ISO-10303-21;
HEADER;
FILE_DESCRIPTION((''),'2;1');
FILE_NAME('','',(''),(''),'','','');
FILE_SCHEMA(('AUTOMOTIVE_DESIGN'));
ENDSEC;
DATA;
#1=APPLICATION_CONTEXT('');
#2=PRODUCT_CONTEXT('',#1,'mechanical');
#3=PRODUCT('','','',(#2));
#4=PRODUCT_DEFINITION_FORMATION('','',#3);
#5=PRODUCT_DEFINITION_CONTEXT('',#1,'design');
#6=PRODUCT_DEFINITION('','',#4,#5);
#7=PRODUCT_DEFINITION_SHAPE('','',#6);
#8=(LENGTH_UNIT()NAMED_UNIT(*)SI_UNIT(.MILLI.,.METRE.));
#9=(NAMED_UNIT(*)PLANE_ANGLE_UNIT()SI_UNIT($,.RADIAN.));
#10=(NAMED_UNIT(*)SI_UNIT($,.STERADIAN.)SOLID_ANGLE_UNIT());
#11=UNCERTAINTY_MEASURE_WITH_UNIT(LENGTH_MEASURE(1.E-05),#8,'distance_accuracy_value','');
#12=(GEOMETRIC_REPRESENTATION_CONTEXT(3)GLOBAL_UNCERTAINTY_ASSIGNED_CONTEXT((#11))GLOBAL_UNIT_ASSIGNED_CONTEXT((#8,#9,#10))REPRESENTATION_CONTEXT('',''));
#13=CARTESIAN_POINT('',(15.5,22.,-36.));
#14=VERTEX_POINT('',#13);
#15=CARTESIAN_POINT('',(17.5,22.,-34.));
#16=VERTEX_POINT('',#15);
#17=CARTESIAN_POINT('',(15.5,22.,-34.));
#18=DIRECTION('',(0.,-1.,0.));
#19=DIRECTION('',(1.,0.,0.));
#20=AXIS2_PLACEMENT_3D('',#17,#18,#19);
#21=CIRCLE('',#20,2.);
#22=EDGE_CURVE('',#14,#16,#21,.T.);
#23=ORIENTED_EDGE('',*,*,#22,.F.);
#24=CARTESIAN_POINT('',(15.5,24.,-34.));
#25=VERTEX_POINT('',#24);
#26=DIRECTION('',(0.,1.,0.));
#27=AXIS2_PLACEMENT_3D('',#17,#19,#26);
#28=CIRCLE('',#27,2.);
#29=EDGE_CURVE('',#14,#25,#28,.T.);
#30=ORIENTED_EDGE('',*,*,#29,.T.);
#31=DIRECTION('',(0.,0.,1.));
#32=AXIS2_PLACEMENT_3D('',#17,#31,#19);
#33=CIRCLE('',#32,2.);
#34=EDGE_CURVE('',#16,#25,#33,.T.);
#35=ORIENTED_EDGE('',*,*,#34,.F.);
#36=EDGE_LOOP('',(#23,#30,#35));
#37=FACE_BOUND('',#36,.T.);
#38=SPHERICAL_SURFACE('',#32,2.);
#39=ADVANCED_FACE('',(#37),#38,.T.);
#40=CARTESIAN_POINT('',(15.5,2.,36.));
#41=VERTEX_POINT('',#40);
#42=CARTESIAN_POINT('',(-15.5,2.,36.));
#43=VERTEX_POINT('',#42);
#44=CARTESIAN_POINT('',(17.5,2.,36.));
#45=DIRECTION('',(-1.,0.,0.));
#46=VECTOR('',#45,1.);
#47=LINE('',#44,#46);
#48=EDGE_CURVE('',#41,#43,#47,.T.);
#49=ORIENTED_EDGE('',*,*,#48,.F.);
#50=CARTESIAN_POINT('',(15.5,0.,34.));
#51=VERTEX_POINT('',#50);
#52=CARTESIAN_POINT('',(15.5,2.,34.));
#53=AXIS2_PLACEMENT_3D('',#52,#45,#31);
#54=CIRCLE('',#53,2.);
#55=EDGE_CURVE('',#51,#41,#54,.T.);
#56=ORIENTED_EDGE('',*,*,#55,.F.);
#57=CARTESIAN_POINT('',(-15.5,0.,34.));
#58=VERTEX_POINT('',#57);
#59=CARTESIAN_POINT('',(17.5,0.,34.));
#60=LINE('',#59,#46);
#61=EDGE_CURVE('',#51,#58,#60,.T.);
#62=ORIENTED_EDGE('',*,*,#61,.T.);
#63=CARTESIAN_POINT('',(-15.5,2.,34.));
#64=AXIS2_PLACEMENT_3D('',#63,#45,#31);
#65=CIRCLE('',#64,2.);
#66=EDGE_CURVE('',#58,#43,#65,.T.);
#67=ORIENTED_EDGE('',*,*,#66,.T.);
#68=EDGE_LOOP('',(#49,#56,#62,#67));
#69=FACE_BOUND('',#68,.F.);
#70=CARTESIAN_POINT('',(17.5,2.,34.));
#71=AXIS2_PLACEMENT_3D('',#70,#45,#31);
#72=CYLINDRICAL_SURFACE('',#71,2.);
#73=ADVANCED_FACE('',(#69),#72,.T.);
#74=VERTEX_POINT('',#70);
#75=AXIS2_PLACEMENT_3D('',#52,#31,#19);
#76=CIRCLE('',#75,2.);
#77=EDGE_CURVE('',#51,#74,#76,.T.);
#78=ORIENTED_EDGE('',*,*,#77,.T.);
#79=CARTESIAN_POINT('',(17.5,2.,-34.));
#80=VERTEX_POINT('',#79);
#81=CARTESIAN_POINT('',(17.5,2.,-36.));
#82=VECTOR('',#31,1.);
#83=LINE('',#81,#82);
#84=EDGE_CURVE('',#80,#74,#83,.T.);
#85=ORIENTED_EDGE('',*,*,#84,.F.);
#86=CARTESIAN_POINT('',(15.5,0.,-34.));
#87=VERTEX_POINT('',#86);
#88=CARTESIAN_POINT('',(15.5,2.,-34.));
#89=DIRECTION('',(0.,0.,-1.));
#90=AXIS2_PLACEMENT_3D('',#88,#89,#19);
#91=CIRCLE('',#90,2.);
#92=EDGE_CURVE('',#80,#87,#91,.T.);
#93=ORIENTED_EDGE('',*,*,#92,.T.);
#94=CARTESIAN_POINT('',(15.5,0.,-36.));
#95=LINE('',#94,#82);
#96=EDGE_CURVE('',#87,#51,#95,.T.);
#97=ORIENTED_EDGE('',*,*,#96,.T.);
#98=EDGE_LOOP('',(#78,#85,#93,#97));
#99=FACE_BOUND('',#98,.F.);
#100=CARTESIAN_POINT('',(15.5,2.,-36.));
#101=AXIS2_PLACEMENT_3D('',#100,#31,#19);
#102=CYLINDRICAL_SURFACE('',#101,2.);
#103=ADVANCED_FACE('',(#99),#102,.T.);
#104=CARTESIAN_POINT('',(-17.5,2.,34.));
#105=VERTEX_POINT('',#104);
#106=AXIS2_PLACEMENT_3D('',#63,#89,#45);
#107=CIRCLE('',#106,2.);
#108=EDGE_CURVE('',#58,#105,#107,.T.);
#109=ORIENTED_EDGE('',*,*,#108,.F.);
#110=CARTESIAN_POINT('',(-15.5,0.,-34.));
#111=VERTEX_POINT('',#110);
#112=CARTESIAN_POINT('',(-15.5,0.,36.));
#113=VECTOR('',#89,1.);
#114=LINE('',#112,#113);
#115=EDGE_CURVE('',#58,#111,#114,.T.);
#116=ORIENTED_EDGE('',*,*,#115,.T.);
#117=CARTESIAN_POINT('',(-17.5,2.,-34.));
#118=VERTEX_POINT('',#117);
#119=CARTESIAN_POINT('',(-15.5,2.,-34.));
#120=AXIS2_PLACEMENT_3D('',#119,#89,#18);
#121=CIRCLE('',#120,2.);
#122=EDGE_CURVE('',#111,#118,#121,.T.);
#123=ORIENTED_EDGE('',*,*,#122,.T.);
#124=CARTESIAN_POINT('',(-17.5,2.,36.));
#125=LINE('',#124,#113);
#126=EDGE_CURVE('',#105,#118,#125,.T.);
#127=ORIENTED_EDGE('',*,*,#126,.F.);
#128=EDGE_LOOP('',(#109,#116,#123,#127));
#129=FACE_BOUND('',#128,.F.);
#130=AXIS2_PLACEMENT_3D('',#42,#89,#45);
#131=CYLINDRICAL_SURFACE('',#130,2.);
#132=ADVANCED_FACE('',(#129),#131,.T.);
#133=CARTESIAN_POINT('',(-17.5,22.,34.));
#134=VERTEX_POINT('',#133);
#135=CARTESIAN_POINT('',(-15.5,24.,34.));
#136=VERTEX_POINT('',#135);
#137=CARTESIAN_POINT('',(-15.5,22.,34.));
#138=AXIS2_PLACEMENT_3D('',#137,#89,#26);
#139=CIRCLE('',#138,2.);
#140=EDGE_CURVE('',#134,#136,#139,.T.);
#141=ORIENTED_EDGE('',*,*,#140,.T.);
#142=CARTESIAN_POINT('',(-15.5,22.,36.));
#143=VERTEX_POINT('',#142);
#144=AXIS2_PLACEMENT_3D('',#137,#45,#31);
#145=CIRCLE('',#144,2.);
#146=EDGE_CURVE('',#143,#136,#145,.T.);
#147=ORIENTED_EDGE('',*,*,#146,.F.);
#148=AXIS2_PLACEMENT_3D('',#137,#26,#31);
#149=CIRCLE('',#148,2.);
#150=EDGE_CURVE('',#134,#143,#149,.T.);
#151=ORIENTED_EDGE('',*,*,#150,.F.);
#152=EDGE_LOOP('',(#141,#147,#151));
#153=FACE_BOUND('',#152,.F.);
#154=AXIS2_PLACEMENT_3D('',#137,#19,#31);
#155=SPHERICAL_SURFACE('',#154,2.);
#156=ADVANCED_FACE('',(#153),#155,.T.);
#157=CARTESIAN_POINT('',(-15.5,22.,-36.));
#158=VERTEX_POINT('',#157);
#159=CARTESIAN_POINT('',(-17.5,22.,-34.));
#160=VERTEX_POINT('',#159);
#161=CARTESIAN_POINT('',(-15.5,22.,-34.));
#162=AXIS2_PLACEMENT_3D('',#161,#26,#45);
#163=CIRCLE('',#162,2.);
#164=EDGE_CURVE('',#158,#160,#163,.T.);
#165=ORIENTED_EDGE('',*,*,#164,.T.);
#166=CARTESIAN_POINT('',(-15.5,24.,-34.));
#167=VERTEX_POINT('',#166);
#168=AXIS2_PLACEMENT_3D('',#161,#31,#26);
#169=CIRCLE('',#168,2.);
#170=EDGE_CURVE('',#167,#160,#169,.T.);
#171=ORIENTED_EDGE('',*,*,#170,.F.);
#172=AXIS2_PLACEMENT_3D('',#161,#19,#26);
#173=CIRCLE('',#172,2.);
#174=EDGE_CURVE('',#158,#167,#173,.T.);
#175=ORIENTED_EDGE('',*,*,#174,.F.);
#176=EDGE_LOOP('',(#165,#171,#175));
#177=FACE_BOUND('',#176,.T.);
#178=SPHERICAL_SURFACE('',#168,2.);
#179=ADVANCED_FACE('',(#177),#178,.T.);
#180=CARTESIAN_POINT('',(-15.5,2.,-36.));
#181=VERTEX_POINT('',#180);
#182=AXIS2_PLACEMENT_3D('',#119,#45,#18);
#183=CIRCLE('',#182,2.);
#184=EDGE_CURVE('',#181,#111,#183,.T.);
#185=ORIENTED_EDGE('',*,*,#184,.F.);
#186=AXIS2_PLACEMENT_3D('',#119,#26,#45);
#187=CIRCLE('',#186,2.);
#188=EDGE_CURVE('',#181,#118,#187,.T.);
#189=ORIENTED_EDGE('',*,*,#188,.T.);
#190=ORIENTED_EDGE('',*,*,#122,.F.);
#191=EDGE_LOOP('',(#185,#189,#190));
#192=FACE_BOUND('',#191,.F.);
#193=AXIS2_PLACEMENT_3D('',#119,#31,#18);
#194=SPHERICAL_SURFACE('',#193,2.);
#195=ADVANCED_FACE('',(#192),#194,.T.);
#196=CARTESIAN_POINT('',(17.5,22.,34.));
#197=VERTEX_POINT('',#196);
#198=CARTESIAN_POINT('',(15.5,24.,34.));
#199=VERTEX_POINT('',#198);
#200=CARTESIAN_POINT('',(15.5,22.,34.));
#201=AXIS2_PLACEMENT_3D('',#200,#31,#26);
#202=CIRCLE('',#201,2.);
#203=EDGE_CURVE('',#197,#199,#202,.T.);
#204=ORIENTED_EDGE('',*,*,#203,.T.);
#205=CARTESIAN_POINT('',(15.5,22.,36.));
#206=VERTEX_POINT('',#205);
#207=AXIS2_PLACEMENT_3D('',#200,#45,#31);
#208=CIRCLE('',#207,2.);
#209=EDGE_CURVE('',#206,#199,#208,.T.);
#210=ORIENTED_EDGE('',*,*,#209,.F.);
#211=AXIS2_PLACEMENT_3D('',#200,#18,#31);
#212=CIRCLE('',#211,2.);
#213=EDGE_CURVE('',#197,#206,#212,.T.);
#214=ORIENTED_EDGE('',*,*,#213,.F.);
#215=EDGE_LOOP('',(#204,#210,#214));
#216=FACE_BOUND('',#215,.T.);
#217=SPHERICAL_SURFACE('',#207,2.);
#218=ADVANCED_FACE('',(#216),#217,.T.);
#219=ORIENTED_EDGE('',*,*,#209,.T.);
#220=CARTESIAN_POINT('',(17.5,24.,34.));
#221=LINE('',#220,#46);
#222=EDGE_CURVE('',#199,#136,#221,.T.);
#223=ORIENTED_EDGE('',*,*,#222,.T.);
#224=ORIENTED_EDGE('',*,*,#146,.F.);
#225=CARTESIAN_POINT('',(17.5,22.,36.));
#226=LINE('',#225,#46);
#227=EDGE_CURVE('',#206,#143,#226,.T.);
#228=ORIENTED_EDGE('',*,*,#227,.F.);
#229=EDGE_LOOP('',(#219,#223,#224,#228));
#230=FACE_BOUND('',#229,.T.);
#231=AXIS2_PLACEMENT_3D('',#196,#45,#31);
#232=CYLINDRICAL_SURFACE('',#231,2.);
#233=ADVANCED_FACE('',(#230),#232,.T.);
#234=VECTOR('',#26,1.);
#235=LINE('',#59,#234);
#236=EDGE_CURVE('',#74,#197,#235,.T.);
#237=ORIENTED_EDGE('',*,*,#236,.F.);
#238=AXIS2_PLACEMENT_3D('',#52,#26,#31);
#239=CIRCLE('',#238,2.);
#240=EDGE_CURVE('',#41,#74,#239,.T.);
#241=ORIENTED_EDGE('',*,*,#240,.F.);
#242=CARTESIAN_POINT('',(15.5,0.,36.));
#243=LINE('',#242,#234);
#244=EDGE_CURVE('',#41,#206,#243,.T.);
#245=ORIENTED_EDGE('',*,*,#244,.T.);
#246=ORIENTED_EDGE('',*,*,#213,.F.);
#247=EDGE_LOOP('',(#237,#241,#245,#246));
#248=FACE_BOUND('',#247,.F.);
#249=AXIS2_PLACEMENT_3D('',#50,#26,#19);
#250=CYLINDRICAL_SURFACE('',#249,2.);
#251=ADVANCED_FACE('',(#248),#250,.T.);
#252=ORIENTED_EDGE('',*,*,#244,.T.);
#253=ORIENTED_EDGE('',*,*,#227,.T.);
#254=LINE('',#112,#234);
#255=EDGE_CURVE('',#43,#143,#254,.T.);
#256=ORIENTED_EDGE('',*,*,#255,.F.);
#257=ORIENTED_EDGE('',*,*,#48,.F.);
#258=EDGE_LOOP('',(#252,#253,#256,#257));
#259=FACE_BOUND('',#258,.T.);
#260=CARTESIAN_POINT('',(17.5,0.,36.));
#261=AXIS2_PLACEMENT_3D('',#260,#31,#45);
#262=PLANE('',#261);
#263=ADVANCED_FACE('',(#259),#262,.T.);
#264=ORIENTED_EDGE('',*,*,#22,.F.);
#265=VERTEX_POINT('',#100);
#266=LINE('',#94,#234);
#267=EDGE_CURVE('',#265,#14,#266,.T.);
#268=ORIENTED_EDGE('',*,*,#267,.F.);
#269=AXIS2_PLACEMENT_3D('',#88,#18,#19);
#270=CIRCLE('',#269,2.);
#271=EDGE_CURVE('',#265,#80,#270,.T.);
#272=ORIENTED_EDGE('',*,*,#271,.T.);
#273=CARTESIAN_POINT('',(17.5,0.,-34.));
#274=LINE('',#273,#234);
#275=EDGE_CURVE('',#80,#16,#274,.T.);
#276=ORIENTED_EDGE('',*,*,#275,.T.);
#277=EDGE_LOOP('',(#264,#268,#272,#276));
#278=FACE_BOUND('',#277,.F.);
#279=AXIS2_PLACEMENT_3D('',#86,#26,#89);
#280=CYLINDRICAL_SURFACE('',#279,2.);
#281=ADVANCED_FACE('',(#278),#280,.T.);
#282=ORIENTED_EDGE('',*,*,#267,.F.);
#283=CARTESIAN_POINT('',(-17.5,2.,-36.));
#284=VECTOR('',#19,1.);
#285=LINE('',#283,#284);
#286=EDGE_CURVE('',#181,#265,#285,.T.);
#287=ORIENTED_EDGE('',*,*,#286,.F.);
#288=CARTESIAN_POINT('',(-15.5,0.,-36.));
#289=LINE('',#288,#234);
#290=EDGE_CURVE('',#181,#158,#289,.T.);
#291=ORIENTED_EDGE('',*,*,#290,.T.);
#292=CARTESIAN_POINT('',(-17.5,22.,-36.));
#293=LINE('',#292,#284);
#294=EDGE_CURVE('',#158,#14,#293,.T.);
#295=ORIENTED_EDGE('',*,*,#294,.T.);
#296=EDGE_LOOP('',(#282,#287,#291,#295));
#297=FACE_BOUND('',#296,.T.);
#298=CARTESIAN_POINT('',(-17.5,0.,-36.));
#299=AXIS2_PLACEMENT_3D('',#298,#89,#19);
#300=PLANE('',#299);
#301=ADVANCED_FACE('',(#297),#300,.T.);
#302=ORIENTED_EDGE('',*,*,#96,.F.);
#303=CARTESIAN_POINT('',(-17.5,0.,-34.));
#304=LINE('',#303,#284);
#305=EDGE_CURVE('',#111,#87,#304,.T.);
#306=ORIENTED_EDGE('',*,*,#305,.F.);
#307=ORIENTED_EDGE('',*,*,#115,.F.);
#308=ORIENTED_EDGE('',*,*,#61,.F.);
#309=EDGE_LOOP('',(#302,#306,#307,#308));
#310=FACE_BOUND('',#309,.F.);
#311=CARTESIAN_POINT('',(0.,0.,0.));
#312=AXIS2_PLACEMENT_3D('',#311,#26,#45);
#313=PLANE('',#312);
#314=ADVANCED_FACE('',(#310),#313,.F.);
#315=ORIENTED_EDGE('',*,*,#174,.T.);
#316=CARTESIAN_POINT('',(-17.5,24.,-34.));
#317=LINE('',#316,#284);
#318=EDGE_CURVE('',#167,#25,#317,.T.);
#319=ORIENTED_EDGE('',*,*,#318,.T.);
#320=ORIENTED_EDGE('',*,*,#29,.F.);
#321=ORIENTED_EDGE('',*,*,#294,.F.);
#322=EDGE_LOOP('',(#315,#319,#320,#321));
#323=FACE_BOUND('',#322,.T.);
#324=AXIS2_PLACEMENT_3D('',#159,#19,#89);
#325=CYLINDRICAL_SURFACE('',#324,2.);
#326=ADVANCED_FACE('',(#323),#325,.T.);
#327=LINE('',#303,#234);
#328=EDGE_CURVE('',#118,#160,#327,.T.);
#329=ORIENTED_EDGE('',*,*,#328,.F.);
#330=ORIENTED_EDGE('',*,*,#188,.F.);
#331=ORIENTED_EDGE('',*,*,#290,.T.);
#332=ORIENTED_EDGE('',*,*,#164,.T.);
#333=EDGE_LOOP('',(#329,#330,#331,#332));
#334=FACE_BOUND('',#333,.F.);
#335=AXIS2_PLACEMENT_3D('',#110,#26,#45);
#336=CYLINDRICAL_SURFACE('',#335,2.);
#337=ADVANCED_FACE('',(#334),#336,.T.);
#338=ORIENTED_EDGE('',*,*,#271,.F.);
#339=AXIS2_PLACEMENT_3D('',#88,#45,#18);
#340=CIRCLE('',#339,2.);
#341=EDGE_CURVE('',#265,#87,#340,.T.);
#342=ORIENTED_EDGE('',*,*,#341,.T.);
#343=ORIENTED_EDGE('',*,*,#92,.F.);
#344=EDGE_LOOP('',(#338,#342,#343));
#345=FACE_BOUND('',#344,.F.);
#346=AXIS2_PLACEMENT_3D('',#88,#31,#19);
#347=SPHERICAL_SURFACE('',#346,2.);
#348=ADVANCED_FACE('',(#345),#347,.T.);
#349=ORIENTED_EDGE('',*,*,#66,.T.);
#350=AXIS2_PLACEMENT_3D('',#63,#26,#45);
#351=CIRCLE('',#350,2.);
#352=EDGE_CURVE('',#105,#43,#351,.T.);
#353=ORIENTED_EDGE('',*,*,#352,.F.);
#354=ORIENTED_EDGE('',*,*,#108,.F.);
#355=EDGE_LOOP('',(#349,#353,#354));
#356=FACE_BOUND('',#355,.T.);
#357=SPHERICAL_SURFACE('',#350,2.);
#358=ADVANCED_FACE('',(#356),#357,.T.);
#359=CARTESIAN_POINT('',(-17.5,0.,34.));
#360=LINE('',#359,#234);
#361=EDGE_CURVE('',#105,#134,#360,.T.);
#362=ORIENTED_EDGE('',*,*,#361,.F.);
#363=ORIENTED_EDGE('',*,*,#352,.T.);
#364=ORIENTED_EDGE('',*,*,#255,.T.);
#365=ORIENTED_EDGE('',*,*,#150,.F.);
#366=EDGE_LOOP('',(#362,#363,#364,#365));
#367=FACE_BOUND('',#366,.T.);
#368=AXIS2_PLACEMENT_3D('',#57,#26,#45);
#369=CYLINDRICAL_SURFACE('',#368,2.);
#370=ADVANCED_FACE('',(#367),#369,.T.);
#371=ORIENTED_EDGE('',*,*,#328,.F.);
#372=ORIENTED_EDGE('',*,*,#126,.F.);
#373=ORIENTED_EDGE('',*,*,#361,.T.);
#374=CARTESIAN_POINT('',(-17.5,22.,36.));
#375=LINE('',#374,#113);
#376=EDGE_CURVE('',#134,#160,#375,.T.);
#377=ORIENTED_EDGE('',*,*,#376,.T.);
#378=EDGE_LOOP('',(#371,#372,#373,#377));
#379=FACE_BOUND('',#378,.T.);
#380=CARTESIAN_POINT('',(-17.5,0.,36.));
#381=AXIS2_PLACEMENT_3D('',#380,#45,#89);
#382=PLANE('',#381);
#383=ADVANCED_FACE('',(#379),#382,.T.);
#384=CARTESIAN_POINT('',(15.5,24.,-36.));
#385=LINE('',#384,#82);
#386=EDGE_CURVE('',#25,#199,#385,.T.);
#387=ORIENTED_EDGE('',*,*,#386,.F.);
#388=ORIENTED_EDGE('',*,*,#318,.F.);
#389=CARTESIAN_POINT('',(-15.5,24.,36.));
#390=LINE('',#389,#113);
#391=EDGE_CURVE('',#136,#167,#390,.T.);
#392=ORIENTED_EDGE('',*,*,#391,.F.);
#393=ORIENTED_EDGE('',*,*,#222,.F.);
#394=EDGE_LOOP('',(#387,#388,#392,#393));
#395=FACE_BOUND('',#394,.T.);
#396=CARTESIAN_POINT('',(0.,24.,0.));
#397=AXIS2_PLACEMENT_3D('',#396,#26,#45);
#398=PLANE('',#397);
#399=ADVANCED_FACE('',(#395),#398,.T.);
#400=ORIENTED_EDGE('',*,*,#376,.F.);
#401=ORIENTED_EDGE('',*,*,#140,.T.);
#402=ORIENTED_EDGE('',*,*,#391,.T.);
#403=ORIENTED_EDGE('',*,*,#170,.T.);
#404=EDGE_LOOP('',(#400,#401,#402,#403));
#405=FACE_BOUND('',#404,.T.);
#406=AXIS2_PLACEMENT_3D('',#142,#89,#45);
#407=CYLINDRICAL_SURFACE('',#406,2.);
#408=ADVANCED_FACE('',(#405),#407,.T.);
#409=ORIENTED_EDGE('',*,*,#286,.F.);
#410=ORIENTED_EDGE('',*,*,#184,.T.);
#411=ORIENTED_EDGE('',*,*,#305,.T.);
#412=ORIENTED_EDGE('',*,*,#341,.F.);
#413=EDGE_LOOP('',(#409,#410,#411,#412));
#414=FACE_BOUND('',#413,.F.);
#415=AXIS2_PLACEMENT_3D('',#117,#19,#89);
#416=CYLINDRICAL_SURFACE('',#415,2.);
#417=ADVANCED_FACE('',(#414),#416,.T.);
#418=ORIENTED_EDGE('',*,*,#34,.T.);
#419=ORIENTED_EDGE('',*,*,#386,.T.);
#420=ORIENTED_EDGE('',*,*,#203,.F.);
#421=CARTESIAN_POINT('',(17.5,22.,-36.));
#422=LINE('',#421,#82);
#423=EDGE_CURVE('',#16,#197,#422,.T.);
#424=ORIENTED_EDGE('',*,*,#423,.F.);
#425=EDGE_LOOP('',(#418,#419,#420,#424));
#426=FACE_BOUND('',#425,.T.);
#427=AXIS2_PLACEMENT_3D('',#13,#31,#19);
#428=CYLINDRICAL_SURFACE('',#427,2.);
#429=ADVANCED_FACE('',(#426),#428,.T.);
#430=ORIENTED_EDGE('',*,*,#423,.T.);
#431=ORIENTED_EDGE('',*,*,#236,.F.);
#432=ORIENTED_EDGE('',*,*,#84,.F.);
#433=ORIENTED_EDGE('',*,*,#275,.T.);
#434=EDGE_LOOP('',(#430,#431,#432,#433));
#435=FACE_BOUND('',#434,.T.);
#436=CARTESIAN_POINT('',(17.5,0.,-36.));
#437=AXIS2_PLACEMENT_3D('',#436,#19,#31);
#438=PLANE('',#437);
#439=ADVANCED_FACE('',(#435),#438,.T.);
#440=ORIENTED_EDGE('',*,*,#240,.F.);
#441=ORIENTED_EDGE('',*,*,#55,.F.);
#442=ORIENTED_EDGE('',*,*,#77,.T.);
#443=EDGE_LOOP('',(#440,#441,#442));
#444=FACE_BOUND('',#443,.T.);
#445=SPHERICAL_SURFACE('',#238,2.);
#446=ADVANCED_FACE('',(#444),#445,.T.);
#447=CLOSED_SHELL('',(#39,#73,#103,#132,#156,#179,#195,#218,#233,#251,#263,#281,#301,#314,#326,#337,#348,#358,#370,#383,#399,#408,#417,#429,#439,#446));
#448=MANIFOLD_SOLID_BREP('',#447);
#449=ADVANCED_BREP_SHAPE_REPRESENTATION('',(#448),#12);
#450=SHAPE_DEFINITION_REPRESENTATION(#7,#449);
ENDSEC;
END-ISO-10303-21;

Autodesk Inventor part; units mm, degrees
ref_plane "YZ Plane" through (0, 0, 0) normal (1, 0, 0) x (0, 1, 0)
ref_plane "XZ Plane" through (0, 0, 0) normal (0, 1, 0) x (-1, 0, 0)
ref_plane "XY Plane" through (0, 0, 0) normal (0, 0, 1) x (1, 0, 0)
sketch "Sketch1" plane through (0, 0, 0) normal (0, 1, 0) x (-1, 0, 0)
  line L0 (17.5, 36) -> (17.5, -36)
  line L1 (17.5, -36) -> (-17.5, -36)
  line L2 (-17.5, -36) -> (-17.5, 36)
  line L3 (-17.5, 36) -> (17.5, 36)
  line L4 (17.5, 36) -> (-17.5, -36) construction
  line L5 (17.5, -36) -> (-17.5, 36) construction
  point P0 (0, 0)
  dimension "d0" = 72
  dimension "d1" = 35
extrude "Extrusion1" add sketch "Sketch1" along normal blind 24
fillet "Fillet1" radius 2 12 edges at (0, 24, 36) (-17.5, 12, 36) (-17.5, 24, 0) (-17.5, 0, 0) (17.5, 12, 36) (0, 0, 36) (17.5, 0, 0) (17.5, 24, 0) (17.5, 12, -36) (0, 0, -36) (0, 24, -36) (-17.5, 12, -36)
properties part number "Battery"
